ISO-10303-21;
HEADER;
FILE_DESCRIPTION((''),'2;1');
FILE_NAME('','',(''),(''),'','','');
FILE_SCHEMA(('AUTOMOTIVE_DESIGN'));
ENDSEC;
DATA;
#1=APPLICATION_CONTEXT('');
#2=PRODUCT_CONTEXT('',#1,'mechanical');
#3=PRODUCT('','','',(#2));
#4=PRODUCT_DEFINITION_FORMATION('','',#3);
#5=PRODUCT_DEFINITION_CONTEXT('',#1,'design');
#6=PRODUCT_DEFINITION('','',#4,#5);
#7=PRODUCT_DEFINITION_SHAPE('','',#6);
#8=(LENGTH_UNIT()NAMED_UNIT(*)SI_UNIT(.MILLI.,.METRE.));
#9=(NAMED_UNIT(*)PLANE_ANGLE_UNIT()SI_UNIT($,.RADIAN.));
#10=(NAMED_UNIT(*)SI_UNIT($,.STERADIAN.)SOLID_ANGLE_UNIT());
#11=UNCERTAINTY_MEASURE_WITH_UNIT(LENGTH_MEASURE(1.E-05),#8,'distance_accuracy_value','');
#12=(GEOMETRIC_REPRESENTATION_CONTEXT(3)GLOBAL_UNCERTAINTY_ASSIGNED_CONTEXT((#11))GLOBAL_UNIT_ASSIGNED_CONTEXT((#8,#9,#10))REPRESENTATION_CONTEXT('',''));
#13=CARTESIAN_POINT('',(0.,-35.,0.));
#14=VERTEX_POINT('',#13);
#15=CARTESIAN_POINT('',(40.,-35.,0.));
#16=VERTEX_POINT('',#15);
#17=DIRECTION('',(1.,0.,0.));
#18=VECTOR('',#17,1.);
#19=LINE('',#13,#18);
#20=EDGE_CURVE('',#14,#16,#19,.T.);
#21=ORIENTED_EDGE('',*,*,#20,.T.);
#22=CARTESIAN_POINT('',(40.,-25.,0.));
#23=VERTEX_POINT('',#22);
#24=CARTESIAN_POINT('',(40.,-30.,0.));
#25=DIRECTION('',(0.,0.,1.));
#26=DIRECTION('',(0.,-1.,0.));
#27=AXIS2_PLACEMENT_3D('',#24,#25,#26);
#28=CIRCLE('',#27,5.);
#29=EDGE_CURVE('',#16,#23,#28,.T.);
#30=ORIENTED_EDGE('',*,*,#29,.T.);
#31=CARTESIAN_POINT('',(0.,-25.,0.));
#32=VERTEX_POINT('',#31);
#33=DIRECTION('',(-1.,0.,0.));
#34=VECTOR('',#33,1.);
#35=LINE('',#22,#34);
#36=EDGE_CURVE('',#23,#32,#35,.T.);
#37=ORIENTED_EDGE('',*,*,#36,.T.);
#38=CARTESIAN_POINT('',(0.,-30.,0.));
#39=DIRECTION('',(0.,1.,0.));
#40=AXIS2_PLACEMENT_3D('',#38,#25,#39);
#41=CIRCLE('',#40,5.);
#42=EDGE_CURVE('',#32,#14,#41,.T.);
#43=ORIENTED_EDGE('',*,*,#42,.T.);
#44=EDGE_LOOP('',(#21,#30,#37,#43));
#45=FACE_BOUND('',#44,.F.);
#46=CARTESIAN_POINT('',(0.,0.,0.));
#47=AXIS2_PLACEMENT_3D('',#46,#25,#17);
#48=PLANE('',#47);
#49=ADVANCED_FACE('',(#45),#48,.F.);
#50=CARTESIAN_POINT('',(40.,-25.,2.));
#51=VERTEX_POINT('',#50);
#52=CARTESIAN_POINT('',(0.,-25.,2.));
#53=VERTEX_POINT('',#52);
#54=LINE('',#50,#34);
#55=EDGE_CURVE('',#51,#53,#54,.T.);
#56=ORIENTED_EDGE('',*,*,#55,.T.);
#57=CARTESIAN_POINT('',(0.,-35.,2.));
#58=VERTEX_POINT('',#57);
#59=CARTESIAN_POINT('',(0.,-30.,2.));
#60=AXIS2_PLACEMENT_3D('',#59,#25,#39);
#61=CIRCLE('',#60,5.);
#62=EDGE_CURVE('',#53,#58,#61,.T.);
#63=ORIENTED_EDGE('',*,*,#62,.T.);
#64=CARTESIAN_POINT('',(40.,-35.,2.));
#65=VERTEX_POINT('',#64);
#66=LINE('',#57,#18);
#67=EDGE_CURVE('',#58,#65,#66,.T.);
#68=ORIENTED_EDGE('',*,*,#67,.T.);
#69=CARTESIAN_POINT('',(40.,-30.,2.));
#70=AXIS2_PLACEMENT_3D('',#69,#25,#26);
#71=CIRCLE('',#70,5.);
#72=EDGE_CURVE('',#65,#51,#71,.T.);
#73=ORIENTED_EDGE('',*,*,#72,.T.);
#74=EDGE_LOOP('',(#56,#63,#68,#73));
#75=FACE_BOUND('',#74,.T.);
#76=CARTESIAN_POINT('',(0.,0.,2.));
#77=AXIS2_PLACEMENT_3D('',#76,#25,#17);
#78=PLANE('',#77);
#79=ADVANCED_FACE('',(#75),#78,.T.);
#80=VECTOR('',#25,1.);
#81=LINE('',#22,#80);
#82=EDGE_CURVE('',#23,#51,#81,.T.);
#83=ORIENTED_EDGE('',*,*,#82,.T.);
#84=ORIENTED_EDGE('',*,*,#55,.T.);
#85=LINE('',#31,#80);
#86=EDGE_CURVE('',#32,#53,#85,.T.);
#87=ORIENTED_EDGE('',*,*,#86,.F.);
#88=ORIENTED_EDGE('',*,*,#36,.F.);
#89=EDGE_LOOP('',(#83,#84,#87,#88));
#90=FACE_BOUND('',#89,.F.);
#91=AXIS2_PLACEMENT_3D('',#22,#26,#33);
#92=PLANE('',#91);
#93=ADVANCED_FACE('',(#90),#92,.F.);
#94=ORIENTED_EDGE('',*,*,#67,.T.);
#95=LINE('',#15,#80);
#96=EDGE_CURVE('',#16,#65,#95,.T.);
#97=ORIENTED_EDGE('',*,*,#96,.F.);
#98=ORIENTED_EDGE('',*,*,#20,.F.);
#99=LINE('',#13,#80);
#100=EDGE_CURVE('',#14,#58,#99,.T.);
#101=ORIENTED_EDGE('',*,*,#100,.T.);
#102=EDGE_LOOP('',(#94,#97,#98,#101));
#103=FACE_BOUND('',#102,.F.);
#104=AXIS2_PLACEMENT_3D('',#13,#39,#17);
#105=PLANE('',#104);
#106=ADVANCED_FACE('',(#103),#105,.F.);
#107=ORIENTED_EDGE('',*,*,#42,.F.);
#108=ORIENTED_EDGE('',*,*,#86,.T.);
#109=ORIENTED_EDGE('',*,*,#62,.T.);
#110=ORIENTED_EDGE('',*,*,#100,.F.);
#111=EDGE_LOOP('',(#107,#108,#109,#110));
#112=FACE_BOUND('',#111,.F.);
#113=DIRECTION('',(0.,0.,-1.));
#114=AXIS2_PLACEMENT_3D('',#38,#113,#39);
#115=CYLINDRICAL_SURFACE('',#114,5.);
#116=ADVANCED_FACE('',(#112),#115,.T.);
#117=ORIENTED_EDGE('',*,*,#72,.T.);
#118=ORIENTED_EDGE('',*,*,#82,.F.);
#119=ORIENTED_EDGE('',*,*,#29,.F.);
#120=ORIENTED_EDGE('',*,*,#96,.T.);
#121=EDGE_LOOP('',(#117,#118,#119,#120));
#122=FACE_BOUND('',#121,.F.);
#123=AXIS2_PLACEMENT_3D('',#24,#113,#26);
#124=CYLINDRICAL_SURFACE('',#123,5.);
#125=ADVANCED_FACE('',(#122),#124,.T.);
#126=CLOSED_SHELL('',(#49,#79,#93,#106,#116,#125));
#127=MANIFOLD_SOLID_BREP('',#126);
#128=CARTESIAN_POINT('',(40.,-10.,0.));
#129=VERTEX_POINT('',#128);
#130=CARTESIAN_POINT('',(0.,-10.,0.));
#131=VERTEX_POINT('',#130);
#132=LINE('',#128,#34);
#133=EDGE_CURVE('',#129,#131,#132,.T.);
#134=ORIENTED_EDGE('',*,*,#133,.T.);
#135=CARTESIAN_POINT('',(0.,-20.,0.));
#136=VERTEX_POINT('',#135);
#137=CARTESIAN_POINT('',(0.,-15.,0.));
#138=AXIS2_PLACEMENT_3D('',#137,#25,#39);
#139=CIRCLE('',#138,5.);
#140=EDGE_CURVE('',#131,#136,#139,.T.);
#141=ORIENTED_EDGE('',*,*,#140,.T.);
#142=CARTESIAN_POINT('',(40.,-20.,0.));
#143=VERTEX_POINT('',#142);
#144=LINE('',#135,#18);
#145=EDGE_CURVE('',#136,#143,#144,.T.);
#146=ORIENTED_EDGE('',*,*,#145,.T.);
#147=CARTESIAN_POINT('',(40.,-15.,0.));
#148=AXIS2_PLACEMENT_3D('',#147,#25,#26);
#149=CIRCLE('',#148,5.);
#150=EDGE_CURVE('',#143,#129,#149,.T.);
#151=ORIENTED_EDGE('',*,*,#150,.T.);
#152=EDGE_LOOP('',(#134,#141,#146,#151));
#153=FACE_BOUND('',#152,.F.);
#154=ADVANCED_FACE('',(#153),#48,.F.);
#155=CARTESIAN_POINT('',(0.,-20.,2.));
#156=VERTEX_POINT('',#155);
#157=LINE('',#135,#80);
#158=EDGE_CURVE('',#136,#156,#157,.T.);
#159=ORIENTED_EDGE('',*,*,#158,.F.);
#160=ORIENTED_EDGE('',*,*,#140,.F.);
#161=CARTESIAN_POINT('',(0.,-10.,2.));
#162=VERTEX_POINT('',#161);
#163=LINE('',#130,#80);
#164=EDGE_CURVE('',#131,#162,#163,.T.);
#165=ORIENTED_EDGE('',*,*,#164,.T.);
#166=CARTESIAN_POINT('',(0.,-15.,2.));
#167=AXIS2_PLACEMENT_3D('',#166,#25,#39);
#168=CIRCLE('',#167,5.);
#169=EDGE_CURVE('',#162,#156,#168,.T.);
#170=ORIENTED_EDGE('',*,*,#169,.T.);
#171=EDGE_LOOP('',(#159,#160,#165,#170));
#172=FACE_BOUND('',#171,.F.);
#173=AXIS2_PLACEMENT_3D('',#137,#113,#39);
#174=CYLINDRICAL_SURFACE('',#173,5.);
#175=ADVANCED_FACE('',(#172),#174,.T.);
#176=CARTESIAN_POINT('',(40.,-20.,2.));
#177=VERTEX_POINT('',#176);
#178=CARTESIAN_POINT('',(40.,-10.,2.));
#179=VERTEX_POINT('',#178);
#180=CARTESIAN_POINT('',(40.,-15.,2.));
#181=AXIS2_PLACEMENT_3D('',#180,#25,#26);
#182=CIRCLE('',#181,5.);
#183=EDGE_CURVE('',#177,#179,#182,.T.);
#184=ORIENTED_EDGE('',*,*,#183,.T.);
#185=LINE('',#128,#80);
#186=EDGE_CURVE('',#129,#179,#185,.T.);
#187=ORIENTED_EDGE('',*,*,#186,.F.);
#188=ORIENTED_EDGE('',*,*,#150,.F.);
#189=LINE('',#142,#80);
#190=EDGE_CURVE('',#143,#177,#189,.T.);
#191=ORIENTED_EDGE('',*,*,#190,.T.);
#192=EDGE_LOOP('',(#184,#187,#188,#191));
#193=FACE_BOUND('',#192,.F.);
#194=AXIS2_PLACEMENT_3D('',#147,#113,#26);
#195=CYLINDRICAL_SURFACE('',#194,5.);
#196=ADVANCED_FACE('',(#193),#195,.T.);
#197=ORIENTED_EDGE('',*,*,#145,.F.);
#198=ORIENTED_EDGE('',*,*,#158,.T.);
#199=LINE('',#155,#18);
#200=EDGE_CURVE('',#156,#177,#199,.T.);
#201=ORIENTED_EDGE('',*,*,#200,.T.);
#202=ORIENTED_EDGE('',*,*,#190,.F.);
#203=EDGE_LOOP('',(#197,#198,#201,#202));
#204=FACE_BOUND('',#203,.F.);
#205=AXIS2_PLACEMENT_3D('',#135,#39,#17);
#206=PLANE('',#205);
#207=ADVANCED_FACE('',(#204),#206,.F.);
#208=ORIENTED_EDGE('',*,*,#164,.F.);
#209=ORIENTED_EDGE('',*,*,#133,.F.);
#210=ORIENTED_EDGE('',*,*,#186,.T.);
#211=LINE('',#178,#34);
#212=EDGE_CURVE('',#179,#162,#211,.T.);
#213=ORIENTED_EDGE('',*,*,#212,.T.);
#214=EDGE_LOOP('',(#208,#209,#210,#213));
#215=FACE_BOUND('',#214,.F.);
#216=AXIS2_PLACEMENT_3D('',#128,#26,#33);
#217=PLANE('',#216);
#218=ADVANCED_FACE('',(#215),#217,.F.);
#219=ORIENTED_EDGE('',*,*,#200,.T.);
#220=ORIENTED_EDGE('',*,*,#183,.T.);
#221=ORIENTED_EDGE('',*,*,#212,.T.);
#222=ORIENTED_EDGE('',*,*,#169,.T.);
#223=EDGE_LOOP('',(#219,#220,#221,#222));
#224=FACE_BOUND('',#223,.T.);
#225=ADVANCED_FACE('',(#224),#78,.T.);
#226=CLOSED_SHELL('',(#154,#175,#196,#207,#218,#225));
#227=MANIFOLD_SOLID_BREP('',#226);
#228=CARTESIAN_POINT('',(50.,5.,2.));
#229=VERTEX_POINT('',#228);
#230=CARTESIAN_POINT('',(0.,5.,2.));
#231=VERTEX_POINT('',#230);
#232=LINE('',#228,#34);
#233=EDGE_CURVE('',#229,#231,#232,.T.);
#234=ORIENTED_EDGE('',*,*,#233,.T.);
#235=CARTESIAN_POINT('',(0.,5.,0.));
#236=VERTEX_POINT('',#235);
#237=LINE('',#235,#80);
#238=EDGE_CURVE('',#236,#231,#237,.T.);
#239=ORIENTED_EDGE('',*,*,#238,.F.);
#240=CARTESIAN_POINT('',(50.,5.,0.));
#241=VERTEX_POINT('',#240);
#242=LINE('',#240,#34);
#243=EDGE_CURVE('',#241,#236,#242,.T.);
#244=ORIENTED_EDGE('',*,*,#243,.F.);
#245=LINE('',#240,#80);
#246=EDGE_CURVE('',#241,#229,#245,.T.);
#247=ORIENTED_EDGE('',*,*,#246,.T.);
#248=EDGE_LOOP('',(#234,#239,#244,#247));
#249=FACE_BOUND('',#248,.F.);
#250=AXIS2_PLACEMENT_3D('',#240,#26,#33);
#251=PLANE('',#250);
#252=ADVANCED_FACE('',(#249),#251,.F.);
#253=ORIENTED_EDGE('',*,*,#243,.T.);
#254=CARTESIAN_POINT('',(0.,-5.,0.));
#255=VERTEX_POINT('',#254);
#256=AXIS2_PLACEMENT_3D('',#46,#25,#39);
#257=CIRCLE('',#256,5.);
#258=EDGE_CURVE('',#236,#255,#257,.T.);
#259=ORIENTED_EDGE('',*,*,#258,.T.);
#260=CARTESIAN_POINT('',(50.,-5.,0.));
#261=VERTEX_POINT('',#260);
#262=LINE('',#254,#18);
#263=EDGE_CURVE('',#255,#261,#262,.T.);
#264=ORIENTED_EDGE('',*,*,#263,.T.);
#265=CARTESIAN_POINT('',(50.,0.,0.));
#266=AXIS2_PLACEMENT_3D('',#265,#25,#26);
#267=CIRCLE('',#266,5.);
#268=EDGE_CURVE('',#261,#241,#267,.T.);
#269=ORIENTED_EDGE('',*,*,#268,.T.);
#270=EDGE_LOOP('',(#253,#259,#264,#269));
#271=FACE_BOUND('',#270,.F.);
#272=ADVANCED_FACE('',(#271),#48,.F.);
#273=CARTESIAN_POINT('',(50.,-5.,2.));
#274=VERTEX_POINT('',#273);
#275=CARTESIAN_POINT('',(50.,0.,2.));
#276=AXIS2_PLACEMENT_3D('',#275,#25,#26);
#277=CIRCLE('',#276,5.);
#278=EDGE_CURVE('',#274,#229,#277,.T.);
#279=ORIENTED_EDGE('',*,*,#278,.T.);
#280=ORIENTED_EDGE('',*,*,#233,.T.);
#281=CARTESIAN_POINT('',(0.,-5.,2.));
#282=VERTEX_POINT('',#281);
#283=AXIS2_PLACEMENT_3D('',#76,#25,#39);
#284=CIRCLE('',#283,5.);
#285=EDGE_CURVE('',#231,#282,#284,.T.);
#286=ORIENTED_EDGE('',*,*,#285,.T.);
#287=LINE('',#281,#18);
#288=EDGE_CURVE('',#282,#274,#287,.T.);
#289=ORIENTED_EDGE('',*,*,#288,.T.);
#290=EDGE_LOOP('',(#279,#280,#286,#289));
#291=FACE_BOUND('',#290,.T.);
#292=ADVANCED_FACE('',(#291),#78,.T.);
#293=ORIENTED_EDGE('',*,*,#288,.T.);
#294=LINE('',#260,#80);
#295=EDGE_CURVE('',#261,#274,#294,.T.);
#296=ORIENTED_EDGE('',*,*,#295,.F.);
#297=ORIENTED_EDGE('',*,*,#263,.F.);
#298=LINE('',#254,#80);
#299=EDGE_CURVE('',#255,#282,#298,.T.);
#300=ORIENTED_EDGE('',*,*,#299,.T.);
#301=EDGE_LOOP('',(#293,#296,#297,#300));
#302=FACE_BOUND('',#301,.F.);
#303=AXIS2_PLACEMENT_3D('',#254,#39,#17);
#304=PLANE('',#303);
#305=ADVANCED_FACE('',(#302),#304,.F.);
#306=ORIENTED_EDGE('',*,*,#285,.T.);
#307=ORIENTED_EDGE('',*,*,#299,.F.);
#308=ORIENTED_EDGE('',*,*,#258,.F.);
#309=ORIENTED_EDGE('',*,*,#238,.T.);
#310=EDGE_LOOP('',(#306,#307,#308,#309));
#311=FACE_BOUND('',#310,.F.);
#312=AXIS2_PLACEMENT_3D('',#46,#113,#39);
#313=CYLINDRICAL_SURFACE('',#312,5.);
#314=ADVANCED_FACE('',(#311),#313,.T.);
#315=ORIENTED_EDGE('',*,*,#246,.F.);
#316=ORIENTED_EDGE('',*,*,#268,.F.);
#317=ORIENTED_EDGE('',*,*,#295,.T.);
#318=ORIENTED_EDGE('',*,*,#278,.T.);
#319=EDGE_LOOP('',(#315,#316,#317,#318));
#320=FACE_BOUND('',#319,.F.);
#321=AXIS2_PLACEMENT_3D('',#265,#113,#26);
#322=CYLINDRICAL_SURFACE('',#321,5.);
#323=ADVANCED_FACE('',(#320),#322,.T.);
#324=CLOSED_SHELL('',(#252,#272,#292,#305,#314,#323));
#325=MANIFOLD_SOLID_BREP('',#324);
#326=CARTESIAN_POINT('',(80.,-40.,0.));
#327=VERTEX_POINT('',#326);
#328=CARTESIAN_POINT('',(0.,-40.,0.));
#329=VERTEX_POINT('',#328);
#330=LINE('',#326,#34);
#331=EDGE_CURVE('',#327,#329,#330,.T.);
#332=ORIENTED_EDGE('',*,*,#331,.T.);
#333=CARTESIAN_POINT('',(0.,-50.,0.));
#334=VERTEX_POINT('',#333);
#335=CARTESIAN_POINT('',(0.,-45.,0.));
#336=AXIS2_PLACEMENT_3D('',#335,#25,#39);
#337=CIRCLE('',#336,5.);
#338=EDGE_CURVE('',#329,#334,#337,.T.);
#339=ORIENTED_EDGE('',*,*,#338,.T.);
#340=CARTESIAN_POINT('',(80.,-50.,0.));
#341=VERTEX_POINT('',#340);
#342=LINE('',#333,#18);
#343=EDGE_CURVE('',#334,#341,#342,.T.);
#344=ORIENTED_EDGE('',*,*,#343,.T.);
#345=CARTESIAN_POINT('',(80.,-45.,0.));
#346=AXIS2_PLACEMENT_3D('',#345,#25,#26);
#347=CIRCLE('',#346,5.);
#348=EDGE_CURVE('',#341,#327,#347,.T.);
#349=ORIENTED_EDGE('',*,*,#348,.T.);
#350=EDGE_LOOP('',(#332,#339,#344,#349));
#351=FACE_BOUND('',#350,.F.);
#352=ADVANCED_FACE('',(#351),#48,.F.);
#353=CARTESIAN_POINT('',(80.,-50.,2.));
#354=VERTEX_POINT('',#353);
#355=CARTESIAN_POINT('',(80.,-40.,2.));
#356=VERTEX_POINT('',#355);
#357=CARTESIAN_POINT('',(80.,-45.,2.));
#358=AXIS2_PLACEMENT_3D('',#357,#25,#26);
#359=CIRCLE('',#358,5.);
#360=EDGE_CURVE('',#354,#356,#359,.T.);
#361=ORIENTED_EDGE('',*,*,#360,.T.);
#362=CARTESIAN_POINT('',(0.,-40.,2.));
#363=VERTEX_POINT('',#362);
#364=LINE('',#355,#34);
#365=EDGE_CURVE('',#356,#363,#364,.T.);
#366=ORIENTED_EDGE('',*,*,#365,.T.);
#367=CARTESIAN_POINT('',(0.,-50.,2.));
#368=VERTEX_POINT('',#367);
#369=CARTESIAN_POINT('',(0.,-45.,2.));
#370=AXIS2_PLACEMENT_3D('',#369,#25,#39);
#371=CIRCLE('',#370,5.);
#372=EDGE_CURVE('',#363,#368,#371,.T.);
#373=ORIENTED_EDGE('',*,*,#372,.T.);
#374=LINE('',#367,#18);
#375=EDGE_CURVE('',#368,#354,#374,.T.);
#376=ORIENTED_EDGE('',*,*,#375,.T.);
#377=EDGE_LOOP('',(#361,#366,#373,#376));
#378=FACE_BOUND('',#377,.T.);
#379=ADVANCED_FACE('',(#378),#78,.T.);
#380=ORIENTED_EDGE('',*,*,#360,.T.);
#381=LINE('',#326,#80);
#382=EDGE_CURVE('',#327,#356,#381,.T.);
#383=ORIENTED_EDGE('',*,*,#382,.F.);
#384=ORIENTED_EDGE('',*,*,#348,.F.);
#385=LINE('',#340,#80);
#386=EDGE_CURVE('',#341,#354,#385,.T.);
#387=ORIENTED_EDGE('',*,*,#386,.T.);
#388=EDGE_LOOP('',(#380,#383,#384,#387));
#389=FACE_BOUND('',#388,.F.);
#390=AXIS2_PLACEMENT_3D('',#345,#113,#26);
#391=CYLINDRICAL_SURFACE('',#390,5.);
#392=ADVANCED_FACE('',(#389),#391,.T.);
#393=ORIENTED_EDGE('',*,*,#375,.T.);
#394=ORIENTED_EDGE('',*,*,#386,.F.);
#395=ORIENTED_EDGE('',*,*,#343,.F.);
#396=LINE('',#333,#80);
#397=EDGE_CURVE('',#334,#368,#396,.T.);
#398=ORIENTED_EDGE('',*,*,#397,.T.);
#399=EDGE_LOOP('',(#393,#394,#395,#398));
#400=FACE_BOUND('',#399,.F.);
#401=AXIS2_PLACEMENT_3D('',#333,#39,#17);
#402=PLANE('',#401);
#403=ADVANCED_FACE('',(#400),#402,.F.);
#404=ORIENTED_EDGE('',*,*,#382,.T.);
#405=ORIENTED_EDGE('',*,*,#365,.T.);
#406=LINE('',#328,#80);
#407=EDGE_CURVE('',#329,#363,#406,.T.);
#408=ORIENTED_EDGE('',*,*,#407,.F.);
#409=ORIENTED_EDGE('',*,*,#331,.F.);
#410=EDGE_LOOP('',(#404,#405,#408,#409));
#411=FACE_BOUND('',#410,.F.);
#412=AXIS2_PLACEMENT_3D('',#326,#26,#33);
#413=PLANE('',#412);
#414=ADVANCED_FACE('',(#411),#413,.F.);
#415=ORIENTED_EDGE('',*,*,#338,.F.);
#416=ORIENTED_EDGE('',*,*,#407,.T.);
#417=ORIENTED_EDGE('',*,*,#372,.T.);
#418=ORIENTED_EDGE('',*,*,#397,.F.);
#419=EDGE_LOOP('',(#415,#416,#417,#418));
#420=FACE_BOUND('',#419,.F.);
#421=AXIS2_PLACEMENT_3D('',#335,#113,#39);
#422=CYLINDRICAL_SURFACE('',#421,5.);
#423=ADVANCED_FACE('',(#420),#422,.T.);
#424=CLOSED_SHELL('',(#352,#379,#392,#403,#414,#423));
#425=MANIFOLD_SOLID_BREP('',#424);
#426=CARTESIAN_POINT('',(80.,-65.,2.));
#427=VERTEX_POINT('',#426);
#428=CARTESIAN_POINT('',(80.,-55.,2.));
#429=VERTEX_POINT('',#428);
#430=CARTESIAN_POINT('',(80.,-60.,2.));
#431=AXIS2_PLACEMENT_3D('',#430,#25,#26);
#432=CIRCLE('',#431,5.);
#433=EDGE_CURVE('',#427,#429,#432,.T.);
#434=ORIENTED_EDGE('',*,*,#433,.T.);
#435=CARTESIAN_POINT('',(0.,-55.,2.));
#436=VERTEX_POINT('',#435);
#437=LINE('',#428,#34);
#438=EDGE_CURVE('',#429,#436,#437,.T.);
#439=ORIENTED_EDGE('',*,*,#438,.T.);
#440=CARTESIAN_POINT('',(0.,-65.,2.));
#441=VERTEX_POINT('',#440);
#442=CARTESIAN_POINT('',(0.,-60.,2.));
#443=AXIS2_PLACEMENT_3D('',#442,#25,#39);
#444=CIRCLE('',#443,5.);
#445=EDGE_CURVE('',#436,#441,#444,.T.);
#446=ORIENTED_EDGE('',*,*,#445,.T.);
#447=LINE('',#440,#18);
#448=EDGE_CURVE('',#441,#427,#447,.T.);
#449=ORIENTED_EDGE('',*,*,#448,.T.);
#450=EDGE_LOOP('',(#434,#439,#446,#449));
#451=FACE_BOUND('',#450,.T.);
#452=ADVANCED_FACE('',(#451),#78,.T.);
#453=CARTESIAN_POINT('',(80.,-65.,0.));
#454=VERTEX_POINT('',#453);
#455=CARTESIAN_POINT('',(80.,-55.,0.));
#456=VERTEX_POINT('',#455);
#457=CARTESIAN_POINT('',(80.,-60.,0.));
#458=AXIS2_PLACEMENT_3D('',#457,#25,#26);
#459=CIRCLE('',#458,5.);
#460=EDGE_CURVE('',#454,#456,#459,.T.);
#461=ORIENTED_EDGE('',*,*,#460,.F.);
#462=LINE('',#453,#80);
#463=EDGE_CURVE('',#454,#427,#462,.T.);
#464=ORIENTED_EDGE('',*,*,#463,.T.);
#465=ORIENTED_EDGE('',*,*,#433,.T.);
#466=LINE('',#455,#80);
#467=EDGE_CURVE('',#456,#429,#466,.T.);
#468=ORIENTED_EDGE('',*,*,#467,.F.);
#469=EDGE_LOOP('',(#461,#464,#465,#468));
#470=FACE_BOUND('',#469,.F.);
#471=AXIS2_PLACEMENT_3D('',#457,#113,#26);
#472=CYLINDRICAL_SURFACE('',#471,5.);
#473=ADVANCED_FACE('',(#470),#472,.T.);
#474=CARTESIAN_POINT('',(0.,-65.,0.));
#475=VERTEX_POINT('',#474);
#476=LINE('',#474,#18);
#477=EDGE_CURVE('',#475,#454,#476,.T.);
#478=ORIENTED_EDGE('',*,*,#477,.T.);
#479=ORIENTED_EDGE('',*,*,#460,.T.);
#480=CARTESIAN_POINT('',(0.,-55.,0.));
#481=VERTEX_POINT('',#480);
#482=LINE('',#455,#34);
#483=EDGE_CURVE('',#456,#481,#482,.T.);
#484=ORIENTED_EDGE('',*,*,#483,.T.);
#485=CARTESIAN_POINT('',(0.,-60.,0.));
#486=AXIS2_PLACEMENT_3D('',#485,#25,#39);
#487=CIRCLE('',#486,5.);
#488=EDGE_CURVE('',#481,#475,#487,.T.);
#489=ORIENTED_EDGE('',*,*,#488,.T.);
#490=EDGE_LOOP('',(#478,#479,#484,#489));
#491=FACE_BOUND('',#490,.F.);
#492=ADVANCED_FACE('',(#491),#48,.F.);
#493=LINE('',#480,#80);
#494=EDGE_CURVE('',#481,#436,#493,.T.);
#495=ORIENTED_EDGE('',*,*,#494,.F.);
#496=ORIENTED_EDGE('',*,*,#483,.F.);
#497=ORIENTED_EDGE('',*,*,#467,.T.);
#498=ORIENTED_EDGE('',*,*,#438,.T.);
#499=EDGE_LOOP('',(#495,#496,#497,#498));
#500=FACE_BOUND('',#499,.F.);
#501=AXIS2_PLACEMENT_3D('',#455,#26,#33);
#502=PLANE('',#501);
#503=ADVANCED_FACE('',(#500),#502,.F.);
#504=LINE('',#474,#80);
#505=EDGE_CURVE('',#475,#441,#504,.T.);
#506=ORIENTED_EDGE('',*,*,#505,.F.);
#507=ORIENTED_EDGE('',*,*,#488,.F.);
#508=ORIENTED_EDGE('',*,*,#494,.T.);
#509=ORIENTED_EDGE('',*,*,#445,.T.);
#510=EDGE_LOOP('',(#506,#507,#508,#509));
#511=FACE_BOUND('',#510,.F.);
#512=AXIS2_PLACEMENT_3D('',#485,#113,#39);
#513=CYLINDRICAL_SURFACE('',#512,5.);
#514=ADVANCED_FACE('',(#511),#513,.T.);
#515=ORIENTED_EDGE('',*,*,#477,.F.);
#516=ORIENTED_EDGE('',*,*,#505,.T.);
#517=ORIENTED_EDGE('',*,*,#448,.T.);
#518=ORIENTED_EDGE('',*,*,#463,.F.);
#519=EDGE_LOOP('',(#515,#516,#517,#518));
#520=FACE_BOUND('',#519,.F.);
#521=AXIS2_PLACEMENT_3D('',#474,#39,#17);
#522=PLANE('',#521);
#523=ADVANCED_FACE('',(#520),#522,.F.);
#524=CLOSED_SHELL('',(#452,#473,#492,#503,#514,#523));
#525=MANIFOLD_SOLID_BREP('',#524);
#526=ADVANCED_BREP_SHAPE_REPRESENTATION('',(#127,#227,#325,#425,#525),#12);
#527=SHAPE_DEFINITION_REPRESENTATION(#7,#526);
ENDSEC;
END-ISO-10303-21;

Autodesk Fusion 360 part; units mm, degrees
sketch "Sketch1" plane through (0, 0, 0) normal (0, 0, 1) x (1, 0, 0)
  line L0 (0, -5) -> (50, -5)
  arc A0 (50, -5) -> (50, 5) centre (50, 0) ccw
  line L1 (50, 5) -> (0, 5)
  arc A1 (0, 5) -> (0, -5) centre (0, 0) ccw
  line L2 (0, 0) -> (50, 0) construction
  line L3 (0, -20) -> (40, -20)
  arc A2 (40, -20) -> (40, -10) centre (40, -15) ccw
  line L4 (40, -10) -> (0, -10)
  arc A3 (0, -10) -> (0, -20) centre (0, -15) ccw
  line L5 (0, -15) -> (40, -15) construction
  line L6 (0, -35) -> (40, -35)
  arc A4 (40, -35) -> (40, -25) centre (40, -30) ccw
  line L7 (40, -25) -> (0, -25)
  arc A5 (0, -25) -> (0, -35) centre (0, -30) ccw
  line L8 (0, -30) -> (40, -30) construction
  line L9 (0, -50) -> (80, -50)
  arc A6 (80, -50) -> (80, -40) centre (80, -45) ccw
  line L10 (80, -40) -> (0, -40)
  arc A7 (0, -40) -> (0, -50) centre (0, -45) ccw
  line L11 (0, -45) -> (80, -45) construction
  line L12 (0, -65) -> (80, -65)
  arc A8 (80, -65) -> (80, -55) centre (80, -60) ccw
  line L13 (80, -55) -> (0, -55)
  arc A9 (0, -55) -> (0, -65) centre (0, -60) ccw
  line L14 (0, -60) -> (80, -60) construction
  dimension "d75" = 50
  dimension "d76" = 5
  dimension "d77" = 80
  dimension "d78" = 40
extrude "Extrude1" add sketch "Sketch1" along normal blind 2 makes body 1 at (26.6667, -31.6667, 0) makes body 2 at (26.6667, -16.6667, 0) makes body 3 at (53.3333, -46.6667, 0) makes body 4 at (33.3333, -1.6667, 0) makes body 5 at (53.3333, -61.6667, 0) in component "Component"
copy_body "Body->Comp1" bodies 1 removing the originals makes body 6 in component "Component'"
copy_body "Body->Comp2" bodies 2 removing the originals makes body 7 in component "Component''"
copy_body "Body->Comp3" bodies 3 removing the originals makes body 8 in component "Component'''"
copy_body "Body->Comp4" bodies 4 removing the originals makes body 9 in component "Component''''"
copy_body "Body->Comp5" bodies 5 removing the originals makes body 10 in component "Component'''''"
component "Component" placed x (1, 0, 0) y (0, 1, 0) z (0, 0, 1) at (0, 0, 0)
component "Component'" placed x (1, 0, 0) y (0, 1, 0) z (0, 0, 1) at (0, 0, 0) in component "Component"
component "Component''" placed x (1, 0, 0) y (0, 1, 0) z (0, 0, 1) at (0, 0, 0) in component "Component"
component "Component'''" placed x (1, 0, 0) y (0, 1, 0) z (0, 0, 1) at (0, 0, 0) in component "Component"
component "Component''''" placed x (1, 0, 0) y (0, 1, 0) z (0, 0, 1) at (0, 0, 0) in component "Component"
component "Component'''''" placed x (1, 0, 0) y (0, 1, 0) z (0, 0, 1) at (0, 0, 0) in component "Component"
